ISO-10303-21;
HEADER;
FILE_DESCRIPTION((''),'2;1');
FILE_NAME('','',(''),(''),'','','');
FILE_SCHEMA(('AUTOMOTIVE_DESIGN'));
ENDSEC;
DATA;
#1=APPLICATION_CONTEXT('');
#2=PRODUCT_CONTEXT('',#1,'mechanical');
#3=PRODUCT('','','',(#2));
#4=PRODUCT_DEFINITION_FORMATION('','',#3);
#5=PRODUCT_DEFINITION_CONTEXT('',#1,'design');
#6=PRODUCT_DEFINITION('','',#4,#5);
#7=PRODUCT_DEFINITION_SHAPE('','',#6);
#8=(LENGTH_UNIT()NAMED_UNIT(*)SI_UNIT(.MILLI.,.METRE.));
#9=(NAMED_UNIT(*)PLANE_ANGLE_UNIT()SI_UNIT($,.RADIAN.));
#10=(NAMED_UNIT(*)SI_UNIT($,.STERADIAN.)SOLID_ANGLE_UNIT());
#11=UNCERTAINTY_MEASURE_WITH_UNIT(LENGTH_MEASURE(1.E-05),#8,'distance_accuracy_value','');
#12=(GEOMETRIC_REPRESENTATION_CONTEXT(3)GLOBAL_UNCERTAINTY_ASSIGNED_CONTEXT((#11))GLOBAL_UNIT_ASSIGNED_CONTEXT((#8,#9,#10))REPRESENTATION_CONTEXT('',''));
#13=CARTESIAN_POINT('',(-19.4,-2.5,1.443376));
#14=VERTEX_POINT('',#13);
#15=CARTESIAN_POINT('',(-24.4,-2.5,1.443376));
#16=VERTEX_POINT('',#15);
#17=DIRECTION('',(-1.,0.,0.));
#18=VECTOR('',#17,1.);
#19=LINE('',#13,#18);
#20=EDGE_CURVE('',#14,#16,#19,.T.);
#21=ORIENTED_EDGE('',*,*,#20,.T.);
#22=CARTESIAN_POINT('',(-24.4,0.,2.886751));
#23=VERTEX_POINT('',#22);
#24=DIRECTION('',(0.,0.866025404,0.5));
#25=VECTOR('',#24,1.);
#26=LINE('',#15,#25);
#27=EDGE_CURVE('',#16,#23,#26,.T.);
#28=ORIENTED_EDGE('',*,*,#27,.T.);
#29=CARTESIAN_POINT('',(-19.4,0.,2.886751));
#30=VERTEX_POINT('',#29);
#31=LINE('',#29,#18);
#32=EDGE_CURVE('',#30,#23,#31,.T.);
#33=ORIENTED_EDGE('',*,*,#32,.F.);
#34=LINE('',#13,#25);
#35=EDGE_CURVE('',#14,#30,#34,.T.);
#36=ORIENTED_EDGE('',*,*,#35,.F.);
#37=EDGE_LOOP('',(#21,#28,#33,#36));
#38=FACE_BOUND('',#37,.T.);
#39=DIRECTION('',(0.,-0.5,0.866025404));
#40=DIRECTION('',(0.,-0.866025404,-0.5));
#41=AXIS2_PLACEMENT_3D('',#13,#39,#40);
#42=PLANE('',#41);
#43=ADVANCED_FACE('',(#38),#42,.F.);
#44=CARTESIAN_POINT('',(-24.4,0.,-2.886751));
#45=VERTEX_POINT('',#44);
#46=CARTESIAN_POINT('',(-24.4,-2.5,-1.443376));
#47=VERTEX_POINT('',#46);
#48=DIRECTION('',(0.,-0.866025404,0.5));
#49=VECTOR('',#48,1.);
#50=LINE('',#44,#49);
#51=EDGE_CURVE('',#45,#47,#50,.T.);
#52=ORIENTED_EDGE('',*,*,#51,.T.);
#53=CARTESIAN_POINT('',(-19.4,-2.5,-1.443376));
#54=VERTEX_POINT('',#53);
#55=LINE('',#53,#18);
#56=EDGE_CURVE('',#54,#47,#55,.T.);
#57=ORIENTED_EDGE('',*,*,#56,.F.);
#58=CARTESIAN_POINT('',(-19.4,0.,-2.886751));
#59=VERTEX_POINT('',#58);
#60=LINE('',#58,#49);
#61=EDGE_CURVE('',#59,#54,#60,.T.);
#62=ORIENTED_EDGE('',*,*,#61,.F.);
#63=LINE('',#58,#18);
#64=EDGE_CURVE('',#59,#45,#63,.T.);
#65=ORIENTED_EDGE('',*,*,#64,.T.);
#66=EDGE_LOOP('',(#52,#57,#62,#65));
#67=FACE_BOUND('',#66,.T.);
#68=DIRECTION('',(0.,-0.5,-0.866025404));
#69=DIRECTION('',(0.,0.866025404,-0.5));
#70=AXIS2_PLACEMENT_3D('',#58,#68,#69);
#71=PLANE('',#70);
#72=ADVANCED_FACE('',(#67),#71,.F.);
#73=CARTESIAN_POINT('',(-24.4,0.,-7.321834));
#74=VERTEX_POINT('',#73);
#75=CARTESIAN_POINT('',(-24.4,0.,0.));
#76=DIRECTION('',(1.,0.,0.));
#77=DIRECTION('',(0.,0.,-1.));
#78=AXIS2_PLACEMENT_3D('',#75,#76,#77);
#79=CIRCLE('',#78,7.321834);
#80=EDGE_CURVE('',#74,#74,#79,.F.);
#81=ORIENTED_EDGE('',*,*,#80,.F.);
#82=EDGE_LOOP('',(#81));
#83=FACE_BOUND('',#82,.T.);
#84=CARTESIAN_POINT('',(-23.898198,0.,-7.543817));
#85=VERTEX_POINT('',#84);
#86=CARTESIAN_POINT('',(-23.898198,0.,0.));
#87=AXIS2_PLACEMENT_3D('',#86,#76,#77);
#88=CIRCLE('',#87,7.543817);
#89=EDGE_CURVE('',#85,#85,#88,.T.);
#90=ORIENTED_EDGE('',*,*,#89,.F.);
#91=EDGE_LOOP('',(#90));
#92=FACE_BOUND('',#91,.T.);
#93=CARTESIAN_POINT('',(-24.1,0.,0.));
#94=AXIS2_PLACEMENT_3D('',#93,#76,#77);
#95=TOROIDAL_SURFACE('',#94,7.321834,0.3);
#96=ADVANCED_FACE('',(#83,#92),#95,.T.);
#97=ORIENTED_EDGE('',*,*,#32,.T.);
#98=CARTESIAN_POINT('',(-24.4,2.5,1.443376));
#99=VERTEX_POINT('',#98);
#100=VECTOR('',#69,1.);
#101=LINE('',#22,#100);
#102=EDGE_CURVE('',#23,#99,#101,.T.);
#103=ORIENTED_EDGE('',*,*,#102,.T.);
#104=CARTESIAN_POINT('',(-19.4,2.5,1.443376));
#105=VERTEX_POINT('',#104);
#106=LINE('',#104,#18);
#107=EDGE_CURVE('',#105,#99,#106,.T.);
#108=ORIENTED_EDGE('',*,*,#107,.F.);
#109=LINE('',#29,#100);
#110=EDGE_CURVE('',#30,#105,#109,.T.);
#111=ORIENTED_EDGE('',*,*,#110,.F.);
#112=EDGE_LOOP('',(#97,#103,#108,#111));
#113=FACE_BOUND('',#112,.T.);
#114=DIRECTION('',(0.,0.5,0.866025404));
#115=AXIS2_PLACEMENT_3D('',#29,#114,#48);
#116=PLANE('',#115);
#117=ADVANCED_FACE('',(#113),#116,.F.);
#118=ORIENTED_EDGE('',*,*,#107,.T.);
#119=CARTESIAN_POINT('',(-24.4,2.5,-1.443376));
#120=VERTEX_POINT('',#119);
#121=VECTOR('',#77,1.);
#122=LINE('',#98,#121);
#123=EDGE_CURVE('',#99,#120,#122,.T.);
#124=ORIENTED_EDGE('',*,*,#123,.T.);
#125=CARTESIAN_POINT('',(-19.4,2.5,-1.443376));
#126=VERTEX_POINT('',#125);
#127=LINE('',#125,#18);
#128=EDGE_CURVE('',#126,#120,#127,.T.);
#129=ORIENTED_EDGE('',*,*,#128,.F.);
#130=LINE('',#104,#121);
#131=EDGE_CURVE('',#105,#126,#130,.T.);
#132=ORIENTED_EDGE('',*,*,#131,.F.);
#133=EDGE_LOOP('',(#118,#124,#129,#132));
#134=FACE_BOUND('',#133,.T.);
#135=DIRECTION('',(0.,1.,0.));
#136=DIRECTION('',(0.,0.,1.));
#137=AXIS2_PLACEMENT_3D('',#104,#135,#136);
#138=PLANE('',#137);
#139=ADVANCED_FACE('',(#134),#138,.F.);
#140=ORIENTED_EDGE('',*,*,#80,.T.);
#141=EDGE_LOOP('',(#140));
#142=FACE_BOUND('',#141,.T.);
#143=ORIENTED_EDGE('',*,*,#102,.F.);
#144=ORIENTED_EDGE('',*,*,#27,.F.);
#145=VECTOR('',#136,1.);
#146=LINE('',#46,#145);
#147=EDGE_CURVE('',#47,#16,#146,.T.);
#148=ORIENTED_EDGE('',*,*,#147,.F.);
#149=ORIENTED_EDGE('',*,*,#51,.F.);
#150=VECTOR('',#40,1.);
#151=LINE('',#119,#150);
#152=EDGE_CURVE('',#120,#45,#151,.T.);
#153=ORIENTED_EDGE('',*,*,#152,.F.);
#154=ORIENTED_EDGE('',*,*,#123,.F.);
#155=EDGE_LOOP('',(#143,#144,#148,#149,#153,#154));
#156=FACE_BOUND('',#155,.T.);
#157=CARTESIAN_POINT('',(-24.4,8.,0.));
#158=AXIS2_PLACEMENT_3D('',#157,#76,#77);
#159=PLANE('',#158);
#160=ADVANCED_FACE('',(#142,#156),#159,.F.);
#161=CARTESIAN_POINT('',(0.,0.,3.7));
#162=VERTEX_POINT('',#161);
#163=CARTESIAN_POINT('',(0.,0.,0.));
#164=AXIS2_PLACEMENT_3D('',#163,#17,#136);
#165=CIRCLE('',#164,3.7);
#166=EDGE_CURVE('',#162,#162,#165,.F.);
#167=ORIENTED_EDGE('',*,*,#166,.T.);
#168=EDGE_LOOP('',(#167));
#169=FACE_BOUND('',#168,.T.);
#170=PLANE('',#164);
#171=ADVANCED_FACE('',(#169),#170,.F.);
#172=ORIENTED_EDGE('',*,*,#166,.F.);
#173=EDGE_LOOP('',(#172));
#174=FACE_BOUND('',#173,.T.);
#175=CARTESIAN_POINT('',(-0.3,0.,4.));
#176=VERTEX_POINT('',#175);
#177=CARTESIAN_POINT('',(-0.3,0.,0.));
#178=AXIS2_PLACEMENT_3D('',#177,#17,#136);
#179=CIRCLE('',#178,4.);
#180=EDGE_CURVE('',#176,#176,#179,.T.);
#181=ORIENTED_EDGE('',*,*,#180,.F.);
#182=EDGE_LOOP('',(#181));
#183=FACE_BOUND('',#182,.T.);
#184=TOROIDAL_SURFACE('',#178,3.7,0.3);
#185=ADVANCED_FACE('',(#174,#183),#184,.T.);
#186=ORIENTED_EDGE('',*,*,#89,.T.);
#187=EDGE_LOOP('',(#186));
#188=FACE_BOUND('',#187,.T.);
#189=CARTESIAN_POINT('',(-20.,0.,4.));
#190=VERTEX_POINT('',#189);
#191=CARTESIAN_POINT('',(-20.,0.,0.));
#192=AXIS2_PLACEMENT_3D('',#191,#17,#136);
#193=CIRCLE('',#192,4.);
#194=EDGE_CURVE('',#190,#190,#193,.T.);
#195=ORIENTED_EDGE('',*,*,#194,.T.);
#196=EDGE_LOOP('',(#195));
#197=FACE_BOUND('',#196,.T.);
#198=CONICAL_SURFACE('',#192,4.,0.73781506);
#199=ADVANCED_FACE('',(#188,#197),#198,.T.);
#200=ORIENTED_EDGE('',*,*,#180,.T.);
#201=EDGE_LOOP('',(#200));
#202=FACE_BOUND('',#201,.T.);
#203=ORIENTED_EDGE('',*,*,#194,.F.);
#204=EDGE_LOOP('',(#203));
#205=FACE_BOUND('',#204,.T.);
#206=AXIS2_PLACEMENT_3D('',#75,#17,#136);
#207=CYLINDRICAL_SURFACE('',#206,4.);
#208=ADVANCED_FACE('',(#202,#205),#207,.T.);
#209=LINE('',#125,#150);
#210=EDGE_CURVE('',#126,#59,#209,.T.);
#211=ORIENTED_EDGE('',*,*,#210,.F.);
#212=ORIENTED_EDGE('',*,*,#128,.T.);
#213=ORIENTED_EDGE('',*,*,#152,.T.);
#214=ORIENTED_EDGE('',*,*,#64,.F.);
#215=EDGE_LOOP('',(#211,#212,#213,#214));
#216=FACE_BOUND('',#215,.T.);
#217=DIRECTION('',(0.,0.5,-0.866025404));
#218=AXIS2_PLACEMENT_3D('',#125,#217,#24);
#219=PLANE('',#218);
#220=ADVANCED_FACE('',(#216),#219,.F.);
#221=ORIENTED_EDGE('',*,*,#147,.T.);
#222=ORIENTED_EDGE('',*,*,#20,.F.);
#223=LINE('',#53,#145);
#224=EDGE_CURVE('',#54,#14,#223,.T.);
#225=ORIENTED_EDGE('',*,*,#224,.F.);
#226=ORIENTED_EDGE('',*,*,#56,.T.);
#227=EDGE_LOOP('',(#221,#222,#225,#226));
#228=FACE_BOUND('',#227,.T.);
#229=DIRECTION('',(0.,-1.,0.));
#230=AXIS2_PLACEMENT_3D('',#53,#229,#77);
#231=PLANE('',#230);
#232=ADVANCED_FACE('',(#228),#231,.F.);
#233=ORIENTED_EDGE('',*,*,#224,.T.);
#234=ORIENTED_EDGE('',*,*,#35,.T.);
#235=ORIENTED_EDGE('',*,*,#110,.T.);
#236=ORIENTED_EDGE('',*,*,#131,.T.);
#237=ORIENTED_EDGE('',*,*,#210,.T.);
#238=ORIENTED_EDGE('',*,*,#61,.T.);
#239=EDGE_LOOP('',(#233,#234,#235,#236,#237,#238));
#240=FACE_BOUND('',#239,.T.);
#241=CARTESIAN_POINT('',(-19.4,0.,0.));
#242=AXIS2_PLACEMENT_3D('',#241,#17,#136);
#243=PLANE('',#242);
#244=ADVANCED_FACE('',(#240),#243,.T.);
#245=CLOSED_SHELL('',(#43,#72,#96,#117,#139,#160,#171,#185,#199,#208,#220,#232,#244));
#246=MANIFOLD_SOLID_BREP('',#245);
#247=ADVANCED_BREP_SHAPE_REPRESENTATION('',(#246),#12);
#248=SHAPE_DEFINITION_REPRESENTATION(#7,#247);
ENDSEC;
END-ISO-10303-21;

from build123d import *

# Parameters (mm, degrees)
KES_EKSTR_ZYON1_DEPTH = 5
RADYUS2_R             = 0.3


with BuildPart() as part:
    # Çizim1 → Döndür1 (revolve)
    with BuildSketch(Plane.XY, mode=Mode.PRIVATE) as d_nd_r1_sk:
        Polygon((0, 0), (0, 4), (-20, 4), (-24.4, 8), (-24.4, 0), align=None)
    revolve(d_nd_r1_sk.sketch.rotate(Axis((-24.4, 0, 0), (1, 0, 0)), 90), axis=Axis((-24.4, 0, 0), (1, 0, 0)))

    # Çizim2 → Kes-Ekstrüzyon1 (cut)
    with BuildSketch(Plane.ZY.offset(24.4)):
        Polygon((2.886751346, 0), (1.443375673, 2.5), (-1.443375673, 2.5), (-2.886751346, 0), (-1.443375673, -2.5), (1.443375673, -2.5), align=None)
    extrude(amount=-KES_EKSTR_ZYON1_DEPTH, mode=Mode.SUBTRACT)

    # Radyus2
    radyus2_edges = [part.edges().sort_by_distance(p)[0] for p in [
        (-24.4, 0, -8),
        (0, 0, -4),
    ]]
    fillet(radyus2_edges, radius=RADYUS2_R)


solid = part.part
